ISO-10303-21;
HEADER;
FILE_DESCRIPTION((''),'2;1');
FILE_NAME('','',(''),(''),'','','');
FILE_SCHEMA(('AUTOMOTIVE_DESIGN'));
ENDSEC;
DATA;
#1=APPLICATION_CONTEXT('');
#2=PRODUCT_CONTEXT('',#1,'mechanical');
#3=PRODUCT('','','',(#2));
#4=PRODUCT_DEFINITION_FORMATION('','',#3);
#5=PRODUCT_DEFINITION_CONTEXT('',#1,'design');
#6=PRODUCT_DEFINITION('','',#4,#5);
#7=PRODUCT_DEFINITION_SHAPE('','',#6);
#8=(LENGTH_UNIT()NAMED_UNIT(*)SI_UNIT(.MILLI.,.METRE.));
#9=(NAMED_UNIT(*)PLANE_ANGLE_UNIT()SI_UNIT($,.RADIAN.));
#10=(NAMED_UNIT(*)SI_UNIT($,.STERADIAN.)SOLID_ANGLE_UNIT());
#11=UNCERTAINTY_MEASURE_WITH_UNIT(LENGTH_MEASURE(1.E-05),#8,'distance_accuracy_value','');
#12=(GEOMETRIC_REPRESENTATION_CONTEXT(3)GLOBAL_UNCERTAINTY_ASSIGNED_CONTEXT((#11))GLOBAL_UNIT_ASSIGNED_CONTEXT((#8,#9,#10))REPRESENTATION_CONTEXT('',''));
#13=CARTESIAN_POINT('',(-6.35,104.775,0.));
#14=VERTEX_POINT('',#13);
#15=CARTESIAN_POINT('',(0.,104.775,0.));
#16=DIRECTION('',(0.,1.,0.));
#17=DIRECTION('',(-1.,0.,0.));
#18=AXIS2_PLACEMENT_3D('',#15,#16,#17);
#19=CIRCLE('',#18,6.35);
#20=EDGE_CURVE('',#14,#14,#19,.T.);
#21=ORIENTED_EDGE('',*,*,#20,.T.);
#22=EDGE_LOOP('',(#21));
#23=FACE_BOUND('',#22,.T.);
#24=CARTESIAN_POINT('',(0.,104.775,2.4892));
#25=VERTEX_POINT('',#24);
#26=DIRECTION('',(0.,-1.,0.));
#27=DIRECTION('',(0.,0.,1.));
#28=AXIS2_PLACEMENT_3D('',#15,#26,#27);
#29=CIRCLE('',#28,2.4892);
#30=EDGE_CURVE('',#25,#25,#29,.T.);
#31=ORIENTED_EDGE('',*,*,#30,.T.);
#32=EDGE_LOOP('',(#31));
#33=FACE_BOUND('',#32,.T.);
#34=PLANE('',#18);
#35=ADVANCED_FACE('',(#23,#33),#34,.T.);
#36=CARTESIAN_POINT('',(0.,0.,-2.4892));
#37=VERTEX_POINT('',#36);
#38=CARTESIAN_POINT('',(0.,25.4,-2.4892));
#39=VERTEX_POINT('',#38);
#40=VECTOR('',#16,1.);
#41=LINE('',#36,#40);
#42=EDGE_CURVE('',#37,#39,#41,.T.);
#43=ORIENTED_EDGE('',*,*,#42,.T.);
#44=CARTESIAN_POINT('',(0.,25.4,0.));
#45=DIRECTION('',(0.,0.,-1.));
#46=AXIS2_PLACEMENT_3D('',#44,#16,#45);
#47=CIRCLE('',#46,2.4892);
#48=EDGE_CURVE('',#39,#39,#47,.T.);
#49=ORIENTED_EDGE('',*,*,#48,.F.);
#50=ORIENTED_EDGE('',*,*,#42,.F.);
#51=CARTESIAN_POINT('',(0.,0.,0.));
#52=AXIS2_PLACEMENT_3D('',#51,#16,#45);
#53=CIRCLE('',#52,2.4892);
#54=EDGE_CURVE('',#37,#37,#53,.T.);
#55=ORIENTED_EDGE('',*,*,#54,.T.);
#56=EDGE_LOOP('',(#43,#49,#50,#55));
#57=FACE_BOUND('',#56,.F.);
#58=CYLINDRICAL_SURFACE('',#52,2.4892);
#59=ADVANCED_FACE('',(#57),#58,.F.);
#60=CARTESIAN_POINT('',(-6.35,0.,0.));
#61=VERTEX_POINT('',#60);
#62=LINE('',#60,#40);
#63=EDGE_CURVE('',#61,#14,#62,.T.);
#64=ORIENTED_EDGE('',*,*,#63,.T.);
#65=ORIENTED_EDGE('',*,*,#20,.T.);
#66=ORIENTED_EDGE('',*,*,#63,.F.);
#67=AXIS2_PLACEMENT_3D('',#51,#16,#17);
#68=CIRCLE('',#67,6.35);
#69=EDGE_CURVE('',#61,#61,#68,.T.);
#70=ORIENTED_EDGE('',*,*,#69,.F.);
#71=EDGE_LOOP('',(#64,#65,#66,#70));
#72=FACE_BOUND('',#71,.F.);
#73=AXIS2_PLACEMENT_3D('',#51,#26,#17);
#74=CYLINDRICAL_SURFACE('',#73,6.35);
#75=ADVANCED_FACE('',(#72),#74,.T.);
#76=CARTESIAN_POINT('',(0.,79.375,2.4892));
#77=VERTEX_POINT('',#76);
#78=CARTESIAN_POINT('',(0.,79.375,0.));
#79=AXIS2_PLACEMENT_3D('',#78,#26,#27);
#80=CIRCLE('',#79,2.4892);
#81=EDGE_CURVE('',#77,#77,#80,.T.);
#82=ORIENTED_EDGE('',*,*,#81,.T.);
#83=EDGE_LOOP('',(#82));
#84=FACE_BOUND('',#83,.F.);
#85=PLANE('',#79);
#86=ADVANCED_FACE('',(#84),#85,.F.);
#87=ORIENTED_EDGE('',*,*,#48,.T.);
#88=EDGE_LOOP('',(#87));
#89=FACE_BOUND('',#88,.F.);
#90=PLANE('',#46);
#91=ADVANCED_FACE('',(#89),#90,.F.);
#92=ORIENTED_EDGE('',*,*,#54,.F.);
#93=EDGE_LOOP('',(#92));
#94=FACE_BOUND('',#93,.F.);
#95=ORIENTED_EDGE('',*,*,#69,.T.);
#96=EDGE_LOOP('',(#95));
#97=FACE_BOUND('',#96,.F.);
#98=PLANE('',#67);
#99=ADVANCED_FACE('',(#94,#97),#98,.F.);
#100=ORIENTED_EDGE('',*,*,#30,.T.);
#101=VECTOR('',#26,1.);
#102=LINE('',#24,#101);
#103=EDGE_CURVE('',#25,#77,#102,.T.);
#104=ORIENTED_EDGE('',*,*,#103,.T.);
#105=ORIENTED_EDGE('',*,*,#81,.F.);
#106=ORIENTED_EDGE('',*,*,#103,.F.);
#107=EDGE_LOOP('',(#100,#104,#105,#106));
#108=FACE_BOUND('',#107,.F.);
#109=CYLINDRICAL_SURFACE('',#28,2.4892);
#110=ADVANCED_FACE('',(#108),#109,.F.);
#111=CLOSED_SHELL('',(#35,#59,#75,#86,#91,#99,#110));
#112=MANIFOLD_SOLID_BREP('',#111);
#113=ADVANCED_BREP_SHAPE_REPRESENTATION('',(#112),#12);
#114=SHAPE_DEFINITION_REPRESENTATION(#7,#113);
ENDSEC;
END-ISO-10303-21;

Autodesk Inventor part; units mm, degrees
ref_plane "YZ Plane" through (0, 0, 0) normal (1, 0, 0) x (0, 1, 0)
ref_plane "XZ Plane" through (0, 0, 0) normal (0, 1, 0) x (-1, 0, 0)
ref_plane "XY Plane" through (0, 0, 0) normal (0, 0, 1) x (1, 0, 0)
sketch "Sketch1" plane through (0, 0, 0) normal (0, 1, 0) x (-1, 0, 0)
  circle A0 centre (0, 0) radius 6.35
  dimension "d0" = 12.7
extrude "Extrusion1" add sketch "Sketch1" along normal blind 104.775
sketch "Sketch2" plane through (0, 0, 0) normal (0, -1, 0) x (1, 0, 0)
  point P0 (0, 0)
  point P1 (0, 0)
hole "Hole1" at (0, 0, 0) direction (0, 1, 0) diameter 4.9784 depth 25.4 thread size "1/4-20 UNC" class "2B" standard "ANSI Unified Screw Threads"
sketch "Sketch3" plane through (0, 104.775, 0) normal (0, 1, 0) x (1, 0, 0)
  point P0 (0, 0)
  point P1 (0, 0)
hole "Hole2" at (0, 104.775, 0) direction (0, -1, 0) diameter 4.9784 depth 25.4 thread size "1/4-20 UNC" class "2B" standard "ANSI Unified Screw Threads"
properties part number "SHOT_020_Spacer7" material "Aluminum 6061"
